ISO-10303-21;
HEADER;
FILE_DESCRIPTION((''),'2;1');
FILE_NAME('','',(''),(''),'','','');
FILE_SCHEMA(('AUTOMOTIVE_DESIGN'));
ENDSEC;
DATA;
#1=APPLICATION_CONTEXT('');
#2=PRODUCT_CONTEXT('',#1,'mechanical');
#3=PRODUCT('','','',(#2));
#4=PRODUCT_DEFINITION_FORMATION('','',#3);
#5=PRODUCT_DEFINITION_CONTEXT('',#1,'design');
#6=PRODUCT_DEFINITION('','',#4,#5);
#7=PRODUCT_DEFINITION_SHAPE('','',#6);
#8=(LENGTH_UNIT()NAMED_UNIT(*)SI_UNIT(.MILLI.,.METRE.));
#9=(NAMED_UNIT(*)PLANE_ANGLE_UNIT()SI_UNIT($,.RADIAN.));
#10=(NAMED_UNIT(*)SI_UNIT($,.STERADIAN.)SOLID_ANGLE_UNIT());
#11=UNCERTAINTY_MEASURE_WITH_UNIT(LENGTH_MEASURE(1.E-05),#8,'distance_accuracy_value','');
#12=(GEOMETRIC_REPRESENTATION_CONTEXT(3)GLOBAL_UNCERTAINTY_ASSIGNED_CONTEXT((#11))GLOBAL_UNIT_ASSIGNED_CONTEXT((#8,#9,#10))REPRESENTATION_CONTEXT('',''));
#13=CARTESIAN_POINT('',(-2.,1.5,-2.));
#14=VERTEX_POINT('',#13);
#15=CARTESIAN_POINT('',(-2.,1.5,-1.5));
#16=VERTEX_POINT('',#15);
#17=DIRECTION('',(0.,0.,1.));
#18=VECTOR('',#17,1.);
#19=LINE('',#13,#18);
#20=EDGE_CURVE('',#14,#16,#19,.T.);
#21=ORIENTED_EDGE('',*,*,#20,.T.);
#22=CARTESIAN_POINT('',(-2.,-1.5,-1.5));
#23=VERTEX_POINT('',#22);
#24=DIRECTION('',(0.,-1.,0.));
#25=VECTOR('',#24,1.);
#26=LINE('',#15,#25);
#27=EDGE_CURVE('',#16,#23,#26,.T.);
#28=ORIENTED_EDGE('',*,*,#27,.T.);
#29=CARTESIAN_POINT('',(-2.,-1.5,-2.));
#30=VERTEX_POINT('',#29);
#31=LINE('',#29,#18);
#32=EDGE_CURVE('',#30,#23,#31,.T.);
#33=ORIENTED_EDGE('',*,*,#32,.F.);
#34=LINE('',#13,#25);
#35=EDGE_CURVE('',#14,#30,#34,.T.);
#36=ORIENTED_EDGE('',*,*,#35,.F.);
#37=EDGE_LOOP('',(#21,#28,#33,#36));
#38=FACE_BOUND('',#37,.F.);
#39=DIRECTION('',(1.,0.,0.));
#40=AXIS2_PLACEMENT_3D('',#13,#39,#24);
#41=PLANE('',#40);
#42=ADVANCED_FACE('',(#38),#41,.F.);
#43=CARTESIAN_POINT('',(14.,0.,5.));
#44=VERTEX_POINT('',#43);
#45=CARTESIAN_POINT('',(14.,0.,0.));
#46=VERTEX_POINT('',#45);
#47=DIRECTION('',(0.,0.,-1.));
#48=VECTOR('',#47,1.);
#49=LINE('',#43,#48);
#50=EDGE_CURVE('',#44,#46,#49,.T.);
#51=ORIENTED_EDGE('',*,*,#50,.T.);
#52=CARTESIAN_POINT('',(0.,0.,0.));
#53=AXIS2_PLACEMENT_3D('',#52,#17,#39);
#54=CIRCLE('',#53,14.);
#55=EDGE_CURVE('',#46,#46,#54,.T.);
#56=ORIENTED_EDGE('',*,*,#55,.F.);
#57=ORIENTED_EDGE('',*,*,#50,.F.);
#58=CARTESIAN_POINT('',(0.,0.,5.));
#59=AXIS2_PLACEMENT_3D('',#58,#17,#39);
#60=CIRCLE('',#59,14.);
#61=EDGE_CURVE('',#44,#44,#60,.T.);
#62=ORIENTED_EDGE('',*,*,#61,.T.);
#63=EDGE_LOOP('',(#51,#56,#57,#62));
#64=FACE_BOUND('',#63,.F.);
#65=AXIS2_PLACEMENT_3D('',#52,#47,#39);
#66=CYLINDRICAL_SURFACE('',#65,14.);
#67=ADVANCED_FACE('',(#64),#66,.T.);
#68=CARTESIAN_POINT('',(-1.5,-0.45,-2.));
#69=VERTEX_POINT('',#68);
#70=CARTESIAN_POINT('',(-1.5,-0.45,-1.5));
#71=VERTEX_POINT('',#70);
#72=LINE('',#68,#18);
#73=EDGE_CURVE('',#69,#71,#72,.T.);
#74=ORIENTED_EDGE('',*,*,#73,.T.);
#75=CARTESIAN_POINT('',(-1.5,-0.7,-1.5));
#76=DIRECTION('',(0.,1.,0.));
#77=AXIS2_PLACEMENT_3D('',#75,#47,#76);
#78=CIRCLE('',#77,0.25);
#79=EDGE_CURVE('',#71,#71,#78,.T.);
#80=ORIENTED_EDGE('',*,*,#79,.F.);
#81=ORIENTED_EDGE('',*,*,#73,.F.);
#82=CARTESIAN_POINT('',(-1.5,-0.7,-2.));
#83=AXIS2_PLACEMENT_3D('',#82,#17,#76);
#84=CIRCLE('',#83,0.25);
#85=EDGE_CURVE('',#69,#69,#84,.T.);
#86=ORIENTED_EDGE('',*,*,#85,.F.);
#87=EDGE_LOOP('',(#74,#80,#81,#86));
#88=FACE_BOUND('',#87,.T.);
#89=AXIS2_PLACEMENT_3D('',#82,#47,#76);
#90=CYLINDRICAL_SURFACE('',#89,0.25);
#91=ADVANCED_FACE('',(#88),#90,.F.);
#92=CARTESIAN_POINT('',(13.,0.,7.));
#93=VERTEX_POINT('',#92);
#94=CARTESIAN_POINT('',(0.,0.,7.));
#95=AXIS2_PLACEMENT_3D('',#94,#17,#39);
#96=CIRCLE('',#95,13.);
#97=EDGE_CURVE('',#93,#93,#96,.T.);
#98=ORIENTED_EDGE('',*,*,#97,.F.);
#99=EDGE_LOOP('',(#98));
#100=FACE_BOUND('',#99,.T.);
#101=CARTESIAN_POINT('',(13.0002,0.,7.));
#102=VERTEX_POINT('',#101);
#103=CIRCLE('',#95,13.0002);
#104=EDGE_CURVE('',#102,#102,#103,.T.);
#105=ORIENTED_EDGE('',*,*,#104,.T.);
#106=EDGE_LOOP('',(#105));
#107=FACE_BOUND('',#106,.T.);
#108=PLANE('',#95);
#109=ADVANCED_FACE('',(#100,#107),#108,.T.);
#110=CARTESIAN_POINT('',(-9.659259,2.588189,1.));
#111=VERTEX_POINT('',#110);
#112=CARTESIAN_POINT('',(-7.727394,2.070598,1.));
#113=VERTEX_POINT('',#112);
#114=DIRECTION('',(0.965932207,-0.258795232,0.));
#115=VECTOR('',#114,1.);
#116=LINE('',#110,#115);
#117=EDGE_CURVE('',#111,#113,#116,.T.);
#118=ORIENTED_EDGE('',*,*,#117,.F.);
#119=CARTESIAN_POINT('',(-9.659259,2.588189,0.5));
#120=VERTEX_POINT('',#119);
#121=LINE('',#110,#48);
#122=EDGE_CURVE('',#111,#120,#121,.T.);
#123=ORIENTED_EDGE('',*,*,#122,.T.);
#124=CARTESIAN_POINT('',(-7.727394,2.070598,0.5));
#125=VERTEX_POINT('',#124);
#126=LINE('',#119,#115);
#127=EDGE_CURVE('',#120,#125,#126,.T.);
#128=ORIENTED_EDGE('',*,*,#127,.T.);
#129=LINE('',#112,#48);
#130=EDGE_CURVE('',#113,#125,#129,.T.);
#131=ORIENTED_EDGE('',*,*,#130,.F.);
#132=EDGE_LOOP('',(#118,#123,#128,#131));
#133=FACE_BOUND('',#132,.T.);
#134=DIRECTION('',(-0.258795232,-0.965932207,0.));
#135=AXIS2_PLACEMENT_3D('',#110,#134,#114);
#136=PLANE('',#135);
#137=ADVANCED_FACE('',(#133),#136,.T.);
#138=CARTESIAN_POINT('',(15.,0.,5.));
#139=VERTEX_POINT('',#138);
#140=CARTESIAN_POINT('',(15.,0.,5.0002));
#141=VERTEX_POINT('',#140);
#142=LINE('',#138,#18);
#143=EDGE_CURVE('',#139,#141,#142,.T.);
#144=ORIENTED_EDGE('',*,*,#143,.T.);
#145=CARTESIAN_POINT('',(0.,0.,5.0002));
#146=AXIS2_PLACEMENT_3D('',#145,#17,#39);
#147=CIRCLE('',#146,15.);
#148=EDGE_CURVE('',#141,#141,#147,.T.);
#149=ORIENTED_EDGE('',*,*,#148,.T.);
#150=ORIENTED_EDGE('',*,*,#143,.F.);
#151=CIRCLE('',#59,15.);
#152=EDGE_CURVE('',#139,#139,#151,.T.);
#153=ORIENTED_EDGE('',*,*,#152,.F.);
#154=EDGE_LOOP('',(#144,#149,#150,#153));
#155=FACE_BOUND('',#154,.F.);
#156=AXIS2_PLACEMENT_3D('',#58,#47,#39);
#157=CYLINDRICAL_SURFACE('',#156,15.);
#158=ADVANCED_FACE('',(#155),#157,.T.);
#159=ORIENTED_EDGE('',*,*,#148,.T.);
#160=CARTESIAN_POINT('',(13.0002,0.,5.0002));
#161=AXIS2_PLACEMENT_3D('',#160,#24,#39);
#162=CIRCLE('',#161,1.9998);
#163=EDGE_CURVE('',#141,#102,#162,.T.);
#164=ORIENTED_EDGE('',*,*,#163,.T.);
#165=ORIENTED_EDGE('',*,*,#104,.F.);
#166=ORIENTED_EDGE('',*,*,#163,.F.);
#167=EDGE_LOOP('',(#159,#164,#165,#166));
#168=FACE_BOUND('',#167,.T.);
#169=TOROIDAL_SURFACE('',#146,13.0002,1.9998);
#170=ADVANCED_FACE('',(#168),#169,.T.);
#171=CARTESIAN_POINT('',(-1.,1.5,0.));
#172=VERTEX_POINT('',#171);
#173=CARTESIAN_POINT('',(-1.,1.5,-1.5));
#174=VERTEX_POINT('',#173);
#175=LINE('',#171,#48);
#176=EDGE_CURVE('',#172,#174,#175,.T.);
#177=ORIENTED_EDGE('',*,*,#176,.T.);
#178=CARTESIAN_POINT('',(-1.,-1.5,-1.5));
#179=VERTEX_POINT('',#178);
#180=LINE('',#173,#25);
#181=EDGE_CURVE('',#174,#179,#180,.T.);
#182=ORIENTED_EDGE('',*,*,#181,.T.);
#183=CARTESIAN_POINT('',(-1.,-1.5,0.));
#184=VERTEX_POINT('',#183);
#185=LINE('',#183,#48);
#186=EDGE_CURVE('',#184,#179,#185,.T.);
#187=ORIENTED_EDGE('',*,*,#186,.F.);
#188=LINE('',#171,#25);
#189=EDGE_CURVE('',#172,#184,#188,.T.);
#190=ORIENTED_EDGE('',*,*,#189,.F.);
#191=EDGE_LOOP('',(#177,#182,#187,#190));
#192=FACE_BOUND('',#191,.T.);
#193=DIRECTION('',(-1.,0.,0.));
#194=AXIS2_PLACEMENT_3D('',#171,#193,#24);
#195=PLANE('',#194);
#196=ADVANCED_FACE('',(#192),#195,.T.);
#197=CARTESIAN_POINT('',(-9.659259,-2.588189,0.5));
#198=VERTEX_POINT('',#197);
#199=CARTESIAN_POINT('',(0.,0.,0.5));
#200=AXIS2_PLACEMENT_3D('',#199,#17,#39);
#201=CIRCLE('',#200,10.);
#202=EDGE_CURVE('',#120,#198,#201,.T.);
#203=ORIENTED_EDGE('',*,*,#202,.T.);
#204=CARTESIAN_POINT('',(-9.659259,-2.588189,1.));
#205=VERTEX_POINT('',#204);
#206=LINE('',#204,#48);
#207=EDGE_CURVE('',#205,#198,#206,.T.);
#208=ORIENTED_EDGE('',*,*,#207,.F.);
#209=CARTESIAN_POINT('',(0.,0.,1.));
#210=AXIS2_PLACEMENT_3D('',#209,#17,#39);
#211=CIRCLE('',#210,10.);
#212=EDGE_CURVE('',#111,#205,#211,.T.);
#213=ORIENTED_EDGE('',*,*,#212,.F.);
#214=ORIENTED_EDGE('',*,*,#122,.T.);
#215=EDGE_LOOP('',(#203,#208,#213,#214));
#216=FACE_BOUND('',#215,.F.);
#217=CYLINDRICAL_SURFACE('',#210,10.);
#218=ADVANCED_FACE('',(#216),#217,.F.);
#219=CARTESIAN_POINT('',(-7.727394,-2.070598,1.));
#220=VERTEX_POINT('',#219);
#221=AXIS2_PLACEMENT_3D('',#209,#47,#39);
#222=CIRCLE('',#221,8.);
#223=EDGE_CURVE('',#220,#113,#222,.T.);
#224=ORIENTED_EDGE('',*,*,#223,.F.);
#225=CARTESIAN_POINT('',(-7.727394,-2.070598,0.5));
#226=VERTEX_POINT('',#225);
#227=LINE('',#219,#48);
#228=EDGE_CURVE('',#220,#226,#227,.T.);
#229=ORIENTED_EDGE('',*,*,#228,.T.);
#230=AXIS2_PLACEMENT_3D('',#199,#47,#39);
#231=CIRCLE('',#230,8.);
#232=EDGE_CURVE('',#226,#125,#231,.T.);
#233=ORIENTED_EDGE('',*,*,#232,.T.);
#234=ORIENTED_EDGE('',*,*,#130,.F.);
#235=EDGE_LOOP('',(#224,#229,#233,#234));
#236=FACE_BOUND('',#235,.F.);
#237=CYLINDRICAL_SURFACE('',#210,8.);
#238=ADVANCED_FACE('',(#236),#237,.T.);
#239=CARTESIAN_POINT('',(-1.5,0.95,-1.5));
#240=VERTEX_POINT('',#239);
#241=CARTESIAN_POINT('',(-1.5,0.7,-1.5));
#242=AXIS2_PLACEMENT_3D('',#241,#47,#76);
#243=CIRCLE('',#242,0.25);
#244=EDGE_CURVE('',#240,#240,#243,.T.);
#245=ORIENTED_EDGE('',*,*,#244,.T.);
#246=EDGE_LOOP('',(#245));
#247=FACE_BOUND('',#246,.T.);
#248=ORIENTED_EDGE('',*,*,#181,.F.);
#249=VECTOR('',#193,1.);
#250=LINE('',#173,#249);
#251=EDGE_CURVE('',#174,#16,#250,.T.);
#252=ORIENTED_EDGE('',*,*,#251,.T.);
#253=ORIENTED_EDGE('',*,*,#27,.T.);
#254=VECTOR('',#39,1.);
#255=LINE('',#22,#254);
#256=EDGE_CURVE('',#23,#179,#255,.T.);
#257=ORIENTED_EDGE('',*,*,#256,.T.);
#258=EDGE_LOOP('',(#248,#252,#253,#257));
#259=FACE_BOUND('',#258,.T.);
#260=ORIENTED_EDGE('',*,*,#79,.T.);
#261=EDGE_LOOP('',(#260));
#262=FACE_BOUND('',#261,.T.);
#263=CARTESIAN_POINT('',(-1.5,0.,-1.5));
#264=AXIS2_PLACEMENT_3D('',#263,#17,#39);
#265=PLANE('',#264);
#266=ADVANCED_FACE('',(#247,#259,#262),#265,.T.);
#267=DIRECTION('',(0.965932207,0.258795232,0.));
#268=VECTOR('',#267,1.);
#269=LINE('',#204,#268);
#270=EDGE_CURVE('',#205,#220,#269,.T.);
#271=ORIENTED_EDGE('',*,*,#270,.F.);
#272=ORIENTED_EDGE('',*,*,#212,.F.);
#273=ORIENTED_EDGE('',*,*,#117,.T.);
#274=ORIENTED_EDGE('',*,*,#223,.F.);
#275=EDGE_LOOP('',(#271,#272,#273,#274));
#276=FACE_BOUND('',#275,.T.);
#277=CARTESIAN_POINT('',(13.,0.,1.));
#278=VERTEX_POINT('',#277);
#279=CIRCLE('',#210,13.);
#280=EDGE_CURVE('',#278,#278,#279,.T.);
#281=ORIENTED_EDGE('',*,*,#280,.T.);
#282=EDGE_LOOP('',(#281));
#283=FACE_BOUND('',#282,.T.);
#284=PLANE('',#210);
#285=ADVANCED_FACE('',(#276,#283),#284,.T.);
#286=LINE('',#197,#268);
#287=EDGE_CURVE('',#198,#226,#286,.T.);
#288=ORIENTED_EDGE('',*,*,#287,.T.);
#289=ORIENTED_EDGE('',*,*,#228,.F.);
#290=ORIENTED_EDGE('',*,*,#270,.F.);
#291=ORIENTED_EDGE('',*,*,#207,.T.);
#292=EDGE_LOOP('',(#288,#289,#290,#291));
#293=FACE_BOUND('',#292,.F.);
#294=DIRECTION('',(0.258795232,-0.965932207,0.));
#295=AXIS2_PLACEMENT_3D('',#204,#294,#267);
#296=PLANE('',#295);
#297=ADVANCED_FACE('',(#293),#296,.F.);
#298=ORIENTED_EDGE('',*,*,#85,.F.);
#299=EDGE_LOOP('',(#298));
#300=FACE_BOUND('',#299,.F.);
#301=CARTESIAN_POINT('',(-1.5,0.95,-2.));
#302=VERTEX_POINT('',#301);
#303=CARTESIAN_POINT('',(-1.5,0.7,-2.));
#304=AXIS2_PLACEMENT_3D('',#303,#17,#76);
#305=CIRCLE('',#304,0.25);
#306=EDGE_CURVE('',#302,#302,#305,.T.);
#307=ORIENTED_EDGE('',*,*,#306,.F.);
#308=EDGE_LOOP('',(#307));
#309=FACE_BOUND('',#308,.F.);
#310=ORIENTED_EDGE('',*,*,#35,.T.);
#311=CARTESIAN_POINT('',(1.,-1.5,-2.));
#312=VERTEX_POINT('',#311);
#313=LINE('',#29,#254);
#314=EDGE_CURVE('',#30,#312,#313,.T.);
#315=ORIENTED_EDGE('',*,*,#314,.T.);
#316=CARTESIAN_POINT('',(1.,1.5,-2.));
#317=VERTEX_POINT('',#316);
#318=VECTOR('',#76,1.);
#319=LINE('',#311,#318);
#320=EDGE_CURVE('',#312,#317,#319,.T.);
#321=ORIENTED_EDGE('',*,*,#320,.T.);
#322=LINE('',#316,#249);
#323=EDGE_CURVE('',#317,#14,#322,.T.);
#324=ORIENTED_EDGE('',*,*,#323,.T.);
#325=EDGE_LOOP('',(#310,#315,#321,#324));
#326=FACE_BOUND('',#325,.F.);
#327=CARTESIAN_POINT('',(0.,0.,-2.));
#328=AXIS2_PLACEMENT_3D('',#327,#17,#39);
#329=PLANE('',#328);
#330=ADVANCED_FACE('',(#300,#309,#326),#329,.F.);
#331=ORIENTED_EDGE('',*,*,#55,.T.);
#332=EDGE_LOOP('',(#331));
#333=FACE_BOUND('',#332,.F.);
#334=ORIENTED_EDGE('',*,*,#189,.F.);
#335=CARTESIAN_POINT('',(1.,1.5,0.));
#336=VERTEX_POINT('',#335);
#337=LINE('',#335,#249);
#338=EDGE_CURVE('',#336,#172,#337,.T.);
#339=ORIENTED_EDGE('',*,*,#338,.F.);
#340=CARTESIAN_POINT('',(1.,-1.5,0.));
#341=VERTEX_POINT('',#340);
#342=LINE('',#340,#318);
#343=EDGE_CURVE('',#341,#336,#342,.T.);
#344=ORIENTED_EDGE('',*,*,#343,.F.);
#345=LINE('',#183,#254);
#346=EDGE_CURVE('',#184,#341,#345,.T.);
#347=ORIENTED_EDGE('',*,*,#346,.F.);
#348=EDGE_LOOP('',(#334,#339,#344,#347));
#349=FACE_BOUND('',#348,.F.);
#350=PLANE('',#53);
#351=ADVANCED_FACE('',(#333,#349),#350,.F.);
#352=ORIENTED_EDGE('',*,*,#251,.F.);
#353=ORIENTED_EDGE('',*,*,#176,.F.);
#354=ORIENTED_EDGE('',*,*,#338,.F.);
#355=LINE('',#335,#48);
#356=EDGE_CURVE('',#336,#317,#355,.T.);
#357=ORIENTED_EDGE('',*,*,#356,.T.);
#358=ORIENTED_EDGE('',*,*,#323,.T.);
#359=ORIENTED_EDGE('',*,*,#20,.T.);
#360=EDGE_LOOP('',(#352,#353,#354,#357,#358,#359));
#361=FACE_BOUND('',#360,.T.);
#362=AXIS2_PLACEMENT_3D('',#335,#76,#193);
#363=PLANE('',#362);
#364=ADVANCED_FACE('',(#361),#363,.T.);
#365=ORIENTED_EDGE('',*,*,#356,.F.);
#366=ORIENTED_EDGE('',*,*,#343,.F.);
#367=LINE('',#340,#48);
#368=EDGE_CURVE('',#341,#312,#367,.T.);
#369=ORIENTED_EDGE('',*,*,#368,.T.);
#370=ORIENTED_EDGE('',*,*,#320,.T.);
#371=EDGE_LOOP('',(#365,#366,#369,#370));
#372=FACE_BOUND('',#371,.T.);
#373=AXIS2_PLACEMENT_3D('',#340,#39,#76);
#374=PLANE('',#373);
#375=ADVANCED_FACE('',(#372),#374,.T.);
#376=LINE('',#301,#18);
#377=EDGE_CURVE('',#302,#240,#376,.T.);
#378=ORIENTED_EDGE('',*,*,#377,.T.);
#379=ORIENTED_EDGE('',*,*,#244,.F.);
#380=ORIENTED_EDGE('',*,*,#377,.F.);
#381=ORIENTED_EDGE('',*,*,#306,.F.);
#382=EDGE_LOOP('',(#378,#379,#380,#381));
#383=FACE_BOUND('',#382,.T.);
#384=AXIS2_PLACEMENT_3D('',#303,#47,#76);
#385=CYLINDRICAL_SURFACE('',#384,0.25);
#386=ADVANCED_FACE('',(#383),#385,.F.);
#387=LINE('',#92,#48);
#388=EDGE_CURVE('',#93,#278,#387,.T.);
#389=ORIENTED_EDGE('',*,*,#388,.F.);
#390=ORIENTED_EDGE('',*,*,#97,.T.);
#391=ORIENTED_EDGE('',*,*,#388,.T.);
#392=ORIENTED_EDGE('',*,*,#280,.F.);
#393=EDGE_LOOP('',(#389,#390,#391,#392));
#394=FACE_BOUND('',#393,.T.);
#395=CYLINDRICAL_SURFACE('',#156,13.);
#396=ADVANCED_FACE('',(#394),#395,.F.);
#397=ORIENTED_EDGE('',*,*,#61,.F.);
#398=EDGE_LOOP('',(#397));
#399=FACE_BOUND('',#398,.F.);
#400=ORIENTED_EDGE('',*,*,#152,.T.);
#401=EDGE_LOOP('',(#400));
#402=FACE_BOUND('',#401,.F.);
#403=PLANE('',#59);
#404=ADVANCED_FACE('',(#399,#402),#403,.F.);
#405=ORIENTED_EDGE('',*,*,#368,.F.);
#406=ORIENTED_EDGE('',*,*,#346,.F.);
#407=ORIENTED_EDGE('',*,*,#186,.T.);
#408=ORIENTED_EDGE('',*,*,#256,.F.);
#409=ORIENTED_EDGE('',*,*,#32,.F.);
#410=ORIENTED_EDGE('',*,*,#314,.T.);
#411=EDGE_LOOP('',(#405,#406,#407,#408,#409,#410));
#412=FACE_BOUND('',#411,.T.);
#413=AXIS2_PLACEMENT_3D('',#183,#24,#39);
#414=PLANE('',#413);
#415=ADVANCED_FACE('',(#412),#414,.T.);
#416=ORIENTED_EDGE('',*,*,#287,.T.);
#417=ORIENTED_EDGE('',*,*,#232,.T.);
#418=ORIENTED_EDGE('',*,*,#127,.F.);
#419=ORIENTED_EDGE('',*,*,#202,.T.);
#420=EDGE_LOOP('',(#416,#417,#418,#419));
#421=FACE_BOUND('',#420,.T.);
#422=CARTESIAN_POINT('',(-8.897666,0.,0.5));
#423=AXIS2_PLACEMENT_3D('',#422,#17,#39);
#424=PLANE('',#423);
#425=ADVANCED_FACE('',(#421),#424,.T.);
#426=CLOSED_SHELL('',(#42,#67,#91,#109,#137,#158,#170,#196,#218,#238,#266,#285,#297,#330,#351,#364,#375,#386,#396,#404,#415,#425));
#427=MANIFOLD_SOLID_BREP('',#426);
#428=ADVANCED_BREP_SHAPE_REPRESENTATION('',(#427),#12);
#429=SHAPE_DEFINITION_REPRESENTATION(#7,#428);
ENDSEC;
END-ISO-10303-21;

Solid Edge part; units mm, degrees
sketch "Sketch1" plane through (0, 0, 0) normal (0, 0, 1) x (1, 0, 0)
  circle A0 centre (0, 0) radius 14
extrude "Protrusion1" add sketch "Sketch1" along normal blind 1
sketch "Sketch2" plane through (0, 0, 1) normal (0, 0, 1) x (1, 0, 0)
  circle A0 centre (0, 0) radius 13
  circle A1 centre (0, 0) radius 14
extrude "Wall" add sketch "Sketch2" along normal blind 4
sketch "Sketch3" plane through (0, 0, 5) normal (0, 0, 1) x (1, 0, 0)
  circle A0 centre (0, 0) radius 15
  circle A1 centre (0, 0) radius 13
extrude "Top" add sketch "Sketch3" along normal blind 2
fillet "Round___Top" radius 2 1 edges at (-15, 0, 7)
sketch "Sketch4" plane through (0, 0, 1) normal (0, 0, 1) x (1, 0, 0)
  line L0 (-9.6593, -2.5882) -> (-7.7274, -2.0706)
  line L1 (-9.6593, 2.5882) -> (-7.7274, 2.0706)
  arc A0 (-9.6593, 2.5882) -> (-9.6593, -2.5882) centre (0, 0) ccw
  arc A1 (-7.7274, -2.0706) -> (-7.7274, 2.0706) centre (0, 0) cw
extrude "Cutout___Alignment" cut sketch "Sketch4" against normal blind 0.5
sketch "Sketch5" plane through (0, 0, 0) normal (0, 0, -1) x (1, 0, 0)
  line L0 (1, -1.5) -> (-1, -1.5)
  line L1 (-1, -1.5) -> (-1, 1.5)
  line L2 (-1, 1.5) -> (1, 1.5)
  line L3 (1, 1.5) -> (1, -1.5)
  dimension "D1" = 2
  dimension "D2" = 3
extrude "Electrics" add sketch "Sketch5" along normal blind 2
sketch "Sketch6" plane through (0, 0, -2) normal (0, 0, -1) x (1, 0, 0)
  line L0 (-1, -1.5) -> (-2, -1.5)
  line L1 (-2, -1.5) -> (-2, 1.5)
  line L2 (-2, 1.5) -> (-1, 1.5)
  line L3 (-1, -1.5) -> (-1, 1.5)
  dimension "D1" = 1
extrude "Wires" add sketch "Sketch6" against normal blind 0.5
hole "Hole1" at (-1.5, -0.7, -2) direction (0, 0, 1) diameter 0.5 end up to next
hole "Hole2" at (-1.5, 0.7, -2) direction (0, 0, 1) diameter 0.5 end up to next
properties material "ABS Plastic, high impact"
